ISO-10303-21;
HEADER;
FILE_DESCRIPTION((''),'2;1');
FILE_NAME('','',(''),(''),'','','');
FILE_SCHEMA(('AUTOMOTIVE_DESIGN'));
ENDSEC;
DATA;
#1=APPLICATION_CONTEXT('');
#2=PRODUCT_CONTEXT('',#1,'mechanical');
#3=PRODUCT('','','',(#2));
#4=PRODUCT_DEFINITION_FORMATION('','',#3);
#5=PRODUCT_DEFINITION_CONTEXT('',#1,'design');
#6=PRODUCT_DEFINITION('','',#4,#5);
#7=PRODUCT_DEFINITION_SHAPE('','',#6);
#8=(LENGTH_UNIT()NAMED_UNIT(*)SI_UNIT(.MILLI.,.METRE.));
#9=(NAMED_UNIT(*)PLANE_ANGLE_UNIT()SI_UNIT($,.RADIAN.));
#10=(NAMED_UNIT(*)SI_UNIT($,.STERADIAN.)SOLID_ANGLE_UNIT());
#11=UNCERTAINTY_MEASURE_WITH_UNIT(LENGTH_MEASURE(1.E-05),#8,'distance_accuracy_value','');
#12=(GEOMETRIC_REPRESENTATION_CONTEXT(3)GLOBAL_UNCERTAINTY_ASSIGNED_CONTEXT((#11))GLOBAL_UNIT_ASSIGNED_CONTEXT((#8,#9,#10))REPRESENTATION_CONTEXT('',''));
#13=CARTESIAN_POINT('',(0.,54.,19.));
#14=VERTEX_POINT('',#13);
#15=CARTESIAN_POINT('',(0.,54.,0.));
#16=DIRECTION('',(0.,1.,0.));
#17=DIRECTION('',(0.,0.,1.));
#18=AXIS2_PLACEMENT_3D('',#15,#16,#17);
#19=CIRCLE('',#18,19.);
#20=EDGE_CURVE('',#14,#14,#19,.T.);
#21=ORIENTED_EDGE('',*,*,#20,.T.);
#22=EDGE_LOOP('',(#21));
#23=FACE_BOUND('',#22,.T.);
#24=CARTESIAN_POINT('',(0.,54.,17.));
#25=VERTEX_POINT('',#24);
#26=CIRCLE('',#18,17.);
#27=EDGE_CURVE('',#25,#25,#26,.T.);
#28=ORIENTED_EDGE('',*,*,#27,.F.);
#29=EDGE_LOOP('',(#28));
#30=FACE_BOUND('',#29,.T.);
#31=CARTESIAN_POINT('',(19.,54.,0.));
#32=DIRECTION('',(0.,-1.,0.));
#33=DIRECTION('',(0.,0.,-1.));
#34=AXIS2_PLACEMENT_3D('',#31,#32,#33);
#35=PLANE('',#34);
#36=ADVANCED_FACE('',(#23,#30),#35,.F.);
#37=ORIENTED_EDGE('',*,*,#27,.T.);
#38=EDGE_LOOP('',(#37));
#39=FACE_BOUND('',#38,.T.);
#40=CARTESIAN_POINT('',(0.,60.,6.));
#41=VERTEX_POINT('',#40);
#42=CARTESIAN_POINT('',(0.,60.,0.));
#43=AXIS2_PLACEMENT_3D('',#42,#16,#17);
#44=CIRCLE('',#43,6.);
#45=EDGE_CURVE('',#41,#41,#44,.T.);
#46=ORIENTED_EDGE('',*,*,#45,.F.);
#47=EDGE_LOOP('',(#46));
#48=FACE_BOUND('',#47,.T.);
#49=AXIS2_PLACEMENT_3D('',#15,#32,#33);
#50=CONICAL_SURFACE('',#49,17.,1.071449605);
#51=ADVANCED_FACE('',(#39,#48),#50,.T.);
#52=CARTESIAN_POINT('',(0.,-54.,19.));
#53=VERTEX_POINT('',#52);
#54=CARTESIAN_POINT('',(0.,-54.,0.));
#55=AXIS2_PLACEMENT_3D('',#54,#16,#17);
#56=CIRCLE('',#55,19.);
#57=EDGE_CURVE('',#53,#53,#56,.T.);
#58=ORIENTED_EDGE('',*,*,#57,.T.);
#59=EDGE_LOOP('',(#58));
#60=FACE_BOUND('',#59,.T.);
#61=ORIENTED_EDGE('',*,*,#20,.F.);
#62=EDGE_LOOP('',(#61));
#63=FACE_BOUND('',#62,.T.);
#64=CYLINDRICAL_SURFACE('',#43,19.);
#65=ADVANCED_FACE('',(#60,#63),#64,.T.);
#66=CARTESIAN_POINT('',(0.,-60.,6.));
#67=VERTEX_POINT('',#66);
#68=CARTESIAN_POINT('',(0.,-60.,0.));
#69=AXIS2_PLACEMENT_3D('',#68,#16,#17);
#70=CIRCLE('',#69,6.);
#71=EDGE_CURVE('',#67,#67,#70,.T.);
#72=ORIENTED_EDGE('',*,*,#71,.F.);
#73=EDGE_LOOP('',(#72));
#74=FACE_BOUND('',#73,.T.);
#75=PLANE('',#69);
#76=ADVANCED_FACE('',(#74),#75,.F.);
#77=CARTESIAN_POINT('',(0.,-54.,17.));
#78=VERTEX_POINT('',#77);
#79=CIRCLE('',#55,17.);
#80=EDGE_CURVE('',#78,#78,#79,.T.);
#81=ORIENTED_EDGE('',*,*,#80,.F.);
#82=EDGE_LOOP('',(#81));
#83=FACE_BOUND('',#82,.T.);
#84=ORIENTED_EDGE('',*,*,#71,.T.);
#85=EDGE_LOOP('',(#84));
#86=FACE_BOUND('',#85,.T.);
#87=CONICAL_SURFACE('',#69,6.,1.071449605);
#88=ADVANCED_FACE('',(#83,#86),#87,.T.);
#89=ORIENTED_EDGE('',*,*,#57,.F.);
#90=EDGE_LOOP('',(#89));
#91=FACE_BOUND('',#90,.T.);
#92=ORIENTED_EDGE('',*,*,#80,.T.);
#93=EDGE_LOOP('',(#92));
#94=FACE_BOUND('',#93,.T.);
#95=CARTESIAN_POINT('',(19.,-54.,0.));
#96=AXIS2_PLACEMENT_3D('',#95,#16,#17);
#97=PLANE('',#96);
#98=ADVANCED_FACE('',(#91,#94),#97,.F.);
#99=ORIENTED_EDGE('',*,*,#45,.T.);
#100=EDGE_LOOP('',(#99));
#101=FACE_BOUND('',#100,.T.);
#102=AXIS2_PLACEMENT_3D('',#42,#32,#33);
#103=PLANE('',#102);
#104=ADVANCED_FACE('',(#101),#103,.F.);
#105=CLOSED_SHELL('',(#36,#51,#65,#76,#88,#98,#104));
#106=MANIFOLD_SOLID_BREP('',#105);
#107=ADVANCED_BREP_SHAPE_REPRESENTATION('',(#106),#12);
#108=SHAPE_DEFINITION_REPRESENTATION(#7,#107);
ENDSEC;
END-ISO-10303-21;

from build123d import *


with BuildPart() as part:
    # Sketch1 → Revolve1 (revolve)
    with BuildSketch(Plane.XY, mode=Mode.PRIVATE) as revolve1_sk:
        Polygon((19, 54), (19, -54), (17, -54), (6, -60), (0, -60), (0, 60), (6, 60), (17, 54), align=None)
    revolve(revolve1_sk.sketch.rotate(Axis((0, 60, 0), (0, -1, 0)), 90), axis=Axis((0, 60, 0), (0, -1, 0)))


solid = part.part
